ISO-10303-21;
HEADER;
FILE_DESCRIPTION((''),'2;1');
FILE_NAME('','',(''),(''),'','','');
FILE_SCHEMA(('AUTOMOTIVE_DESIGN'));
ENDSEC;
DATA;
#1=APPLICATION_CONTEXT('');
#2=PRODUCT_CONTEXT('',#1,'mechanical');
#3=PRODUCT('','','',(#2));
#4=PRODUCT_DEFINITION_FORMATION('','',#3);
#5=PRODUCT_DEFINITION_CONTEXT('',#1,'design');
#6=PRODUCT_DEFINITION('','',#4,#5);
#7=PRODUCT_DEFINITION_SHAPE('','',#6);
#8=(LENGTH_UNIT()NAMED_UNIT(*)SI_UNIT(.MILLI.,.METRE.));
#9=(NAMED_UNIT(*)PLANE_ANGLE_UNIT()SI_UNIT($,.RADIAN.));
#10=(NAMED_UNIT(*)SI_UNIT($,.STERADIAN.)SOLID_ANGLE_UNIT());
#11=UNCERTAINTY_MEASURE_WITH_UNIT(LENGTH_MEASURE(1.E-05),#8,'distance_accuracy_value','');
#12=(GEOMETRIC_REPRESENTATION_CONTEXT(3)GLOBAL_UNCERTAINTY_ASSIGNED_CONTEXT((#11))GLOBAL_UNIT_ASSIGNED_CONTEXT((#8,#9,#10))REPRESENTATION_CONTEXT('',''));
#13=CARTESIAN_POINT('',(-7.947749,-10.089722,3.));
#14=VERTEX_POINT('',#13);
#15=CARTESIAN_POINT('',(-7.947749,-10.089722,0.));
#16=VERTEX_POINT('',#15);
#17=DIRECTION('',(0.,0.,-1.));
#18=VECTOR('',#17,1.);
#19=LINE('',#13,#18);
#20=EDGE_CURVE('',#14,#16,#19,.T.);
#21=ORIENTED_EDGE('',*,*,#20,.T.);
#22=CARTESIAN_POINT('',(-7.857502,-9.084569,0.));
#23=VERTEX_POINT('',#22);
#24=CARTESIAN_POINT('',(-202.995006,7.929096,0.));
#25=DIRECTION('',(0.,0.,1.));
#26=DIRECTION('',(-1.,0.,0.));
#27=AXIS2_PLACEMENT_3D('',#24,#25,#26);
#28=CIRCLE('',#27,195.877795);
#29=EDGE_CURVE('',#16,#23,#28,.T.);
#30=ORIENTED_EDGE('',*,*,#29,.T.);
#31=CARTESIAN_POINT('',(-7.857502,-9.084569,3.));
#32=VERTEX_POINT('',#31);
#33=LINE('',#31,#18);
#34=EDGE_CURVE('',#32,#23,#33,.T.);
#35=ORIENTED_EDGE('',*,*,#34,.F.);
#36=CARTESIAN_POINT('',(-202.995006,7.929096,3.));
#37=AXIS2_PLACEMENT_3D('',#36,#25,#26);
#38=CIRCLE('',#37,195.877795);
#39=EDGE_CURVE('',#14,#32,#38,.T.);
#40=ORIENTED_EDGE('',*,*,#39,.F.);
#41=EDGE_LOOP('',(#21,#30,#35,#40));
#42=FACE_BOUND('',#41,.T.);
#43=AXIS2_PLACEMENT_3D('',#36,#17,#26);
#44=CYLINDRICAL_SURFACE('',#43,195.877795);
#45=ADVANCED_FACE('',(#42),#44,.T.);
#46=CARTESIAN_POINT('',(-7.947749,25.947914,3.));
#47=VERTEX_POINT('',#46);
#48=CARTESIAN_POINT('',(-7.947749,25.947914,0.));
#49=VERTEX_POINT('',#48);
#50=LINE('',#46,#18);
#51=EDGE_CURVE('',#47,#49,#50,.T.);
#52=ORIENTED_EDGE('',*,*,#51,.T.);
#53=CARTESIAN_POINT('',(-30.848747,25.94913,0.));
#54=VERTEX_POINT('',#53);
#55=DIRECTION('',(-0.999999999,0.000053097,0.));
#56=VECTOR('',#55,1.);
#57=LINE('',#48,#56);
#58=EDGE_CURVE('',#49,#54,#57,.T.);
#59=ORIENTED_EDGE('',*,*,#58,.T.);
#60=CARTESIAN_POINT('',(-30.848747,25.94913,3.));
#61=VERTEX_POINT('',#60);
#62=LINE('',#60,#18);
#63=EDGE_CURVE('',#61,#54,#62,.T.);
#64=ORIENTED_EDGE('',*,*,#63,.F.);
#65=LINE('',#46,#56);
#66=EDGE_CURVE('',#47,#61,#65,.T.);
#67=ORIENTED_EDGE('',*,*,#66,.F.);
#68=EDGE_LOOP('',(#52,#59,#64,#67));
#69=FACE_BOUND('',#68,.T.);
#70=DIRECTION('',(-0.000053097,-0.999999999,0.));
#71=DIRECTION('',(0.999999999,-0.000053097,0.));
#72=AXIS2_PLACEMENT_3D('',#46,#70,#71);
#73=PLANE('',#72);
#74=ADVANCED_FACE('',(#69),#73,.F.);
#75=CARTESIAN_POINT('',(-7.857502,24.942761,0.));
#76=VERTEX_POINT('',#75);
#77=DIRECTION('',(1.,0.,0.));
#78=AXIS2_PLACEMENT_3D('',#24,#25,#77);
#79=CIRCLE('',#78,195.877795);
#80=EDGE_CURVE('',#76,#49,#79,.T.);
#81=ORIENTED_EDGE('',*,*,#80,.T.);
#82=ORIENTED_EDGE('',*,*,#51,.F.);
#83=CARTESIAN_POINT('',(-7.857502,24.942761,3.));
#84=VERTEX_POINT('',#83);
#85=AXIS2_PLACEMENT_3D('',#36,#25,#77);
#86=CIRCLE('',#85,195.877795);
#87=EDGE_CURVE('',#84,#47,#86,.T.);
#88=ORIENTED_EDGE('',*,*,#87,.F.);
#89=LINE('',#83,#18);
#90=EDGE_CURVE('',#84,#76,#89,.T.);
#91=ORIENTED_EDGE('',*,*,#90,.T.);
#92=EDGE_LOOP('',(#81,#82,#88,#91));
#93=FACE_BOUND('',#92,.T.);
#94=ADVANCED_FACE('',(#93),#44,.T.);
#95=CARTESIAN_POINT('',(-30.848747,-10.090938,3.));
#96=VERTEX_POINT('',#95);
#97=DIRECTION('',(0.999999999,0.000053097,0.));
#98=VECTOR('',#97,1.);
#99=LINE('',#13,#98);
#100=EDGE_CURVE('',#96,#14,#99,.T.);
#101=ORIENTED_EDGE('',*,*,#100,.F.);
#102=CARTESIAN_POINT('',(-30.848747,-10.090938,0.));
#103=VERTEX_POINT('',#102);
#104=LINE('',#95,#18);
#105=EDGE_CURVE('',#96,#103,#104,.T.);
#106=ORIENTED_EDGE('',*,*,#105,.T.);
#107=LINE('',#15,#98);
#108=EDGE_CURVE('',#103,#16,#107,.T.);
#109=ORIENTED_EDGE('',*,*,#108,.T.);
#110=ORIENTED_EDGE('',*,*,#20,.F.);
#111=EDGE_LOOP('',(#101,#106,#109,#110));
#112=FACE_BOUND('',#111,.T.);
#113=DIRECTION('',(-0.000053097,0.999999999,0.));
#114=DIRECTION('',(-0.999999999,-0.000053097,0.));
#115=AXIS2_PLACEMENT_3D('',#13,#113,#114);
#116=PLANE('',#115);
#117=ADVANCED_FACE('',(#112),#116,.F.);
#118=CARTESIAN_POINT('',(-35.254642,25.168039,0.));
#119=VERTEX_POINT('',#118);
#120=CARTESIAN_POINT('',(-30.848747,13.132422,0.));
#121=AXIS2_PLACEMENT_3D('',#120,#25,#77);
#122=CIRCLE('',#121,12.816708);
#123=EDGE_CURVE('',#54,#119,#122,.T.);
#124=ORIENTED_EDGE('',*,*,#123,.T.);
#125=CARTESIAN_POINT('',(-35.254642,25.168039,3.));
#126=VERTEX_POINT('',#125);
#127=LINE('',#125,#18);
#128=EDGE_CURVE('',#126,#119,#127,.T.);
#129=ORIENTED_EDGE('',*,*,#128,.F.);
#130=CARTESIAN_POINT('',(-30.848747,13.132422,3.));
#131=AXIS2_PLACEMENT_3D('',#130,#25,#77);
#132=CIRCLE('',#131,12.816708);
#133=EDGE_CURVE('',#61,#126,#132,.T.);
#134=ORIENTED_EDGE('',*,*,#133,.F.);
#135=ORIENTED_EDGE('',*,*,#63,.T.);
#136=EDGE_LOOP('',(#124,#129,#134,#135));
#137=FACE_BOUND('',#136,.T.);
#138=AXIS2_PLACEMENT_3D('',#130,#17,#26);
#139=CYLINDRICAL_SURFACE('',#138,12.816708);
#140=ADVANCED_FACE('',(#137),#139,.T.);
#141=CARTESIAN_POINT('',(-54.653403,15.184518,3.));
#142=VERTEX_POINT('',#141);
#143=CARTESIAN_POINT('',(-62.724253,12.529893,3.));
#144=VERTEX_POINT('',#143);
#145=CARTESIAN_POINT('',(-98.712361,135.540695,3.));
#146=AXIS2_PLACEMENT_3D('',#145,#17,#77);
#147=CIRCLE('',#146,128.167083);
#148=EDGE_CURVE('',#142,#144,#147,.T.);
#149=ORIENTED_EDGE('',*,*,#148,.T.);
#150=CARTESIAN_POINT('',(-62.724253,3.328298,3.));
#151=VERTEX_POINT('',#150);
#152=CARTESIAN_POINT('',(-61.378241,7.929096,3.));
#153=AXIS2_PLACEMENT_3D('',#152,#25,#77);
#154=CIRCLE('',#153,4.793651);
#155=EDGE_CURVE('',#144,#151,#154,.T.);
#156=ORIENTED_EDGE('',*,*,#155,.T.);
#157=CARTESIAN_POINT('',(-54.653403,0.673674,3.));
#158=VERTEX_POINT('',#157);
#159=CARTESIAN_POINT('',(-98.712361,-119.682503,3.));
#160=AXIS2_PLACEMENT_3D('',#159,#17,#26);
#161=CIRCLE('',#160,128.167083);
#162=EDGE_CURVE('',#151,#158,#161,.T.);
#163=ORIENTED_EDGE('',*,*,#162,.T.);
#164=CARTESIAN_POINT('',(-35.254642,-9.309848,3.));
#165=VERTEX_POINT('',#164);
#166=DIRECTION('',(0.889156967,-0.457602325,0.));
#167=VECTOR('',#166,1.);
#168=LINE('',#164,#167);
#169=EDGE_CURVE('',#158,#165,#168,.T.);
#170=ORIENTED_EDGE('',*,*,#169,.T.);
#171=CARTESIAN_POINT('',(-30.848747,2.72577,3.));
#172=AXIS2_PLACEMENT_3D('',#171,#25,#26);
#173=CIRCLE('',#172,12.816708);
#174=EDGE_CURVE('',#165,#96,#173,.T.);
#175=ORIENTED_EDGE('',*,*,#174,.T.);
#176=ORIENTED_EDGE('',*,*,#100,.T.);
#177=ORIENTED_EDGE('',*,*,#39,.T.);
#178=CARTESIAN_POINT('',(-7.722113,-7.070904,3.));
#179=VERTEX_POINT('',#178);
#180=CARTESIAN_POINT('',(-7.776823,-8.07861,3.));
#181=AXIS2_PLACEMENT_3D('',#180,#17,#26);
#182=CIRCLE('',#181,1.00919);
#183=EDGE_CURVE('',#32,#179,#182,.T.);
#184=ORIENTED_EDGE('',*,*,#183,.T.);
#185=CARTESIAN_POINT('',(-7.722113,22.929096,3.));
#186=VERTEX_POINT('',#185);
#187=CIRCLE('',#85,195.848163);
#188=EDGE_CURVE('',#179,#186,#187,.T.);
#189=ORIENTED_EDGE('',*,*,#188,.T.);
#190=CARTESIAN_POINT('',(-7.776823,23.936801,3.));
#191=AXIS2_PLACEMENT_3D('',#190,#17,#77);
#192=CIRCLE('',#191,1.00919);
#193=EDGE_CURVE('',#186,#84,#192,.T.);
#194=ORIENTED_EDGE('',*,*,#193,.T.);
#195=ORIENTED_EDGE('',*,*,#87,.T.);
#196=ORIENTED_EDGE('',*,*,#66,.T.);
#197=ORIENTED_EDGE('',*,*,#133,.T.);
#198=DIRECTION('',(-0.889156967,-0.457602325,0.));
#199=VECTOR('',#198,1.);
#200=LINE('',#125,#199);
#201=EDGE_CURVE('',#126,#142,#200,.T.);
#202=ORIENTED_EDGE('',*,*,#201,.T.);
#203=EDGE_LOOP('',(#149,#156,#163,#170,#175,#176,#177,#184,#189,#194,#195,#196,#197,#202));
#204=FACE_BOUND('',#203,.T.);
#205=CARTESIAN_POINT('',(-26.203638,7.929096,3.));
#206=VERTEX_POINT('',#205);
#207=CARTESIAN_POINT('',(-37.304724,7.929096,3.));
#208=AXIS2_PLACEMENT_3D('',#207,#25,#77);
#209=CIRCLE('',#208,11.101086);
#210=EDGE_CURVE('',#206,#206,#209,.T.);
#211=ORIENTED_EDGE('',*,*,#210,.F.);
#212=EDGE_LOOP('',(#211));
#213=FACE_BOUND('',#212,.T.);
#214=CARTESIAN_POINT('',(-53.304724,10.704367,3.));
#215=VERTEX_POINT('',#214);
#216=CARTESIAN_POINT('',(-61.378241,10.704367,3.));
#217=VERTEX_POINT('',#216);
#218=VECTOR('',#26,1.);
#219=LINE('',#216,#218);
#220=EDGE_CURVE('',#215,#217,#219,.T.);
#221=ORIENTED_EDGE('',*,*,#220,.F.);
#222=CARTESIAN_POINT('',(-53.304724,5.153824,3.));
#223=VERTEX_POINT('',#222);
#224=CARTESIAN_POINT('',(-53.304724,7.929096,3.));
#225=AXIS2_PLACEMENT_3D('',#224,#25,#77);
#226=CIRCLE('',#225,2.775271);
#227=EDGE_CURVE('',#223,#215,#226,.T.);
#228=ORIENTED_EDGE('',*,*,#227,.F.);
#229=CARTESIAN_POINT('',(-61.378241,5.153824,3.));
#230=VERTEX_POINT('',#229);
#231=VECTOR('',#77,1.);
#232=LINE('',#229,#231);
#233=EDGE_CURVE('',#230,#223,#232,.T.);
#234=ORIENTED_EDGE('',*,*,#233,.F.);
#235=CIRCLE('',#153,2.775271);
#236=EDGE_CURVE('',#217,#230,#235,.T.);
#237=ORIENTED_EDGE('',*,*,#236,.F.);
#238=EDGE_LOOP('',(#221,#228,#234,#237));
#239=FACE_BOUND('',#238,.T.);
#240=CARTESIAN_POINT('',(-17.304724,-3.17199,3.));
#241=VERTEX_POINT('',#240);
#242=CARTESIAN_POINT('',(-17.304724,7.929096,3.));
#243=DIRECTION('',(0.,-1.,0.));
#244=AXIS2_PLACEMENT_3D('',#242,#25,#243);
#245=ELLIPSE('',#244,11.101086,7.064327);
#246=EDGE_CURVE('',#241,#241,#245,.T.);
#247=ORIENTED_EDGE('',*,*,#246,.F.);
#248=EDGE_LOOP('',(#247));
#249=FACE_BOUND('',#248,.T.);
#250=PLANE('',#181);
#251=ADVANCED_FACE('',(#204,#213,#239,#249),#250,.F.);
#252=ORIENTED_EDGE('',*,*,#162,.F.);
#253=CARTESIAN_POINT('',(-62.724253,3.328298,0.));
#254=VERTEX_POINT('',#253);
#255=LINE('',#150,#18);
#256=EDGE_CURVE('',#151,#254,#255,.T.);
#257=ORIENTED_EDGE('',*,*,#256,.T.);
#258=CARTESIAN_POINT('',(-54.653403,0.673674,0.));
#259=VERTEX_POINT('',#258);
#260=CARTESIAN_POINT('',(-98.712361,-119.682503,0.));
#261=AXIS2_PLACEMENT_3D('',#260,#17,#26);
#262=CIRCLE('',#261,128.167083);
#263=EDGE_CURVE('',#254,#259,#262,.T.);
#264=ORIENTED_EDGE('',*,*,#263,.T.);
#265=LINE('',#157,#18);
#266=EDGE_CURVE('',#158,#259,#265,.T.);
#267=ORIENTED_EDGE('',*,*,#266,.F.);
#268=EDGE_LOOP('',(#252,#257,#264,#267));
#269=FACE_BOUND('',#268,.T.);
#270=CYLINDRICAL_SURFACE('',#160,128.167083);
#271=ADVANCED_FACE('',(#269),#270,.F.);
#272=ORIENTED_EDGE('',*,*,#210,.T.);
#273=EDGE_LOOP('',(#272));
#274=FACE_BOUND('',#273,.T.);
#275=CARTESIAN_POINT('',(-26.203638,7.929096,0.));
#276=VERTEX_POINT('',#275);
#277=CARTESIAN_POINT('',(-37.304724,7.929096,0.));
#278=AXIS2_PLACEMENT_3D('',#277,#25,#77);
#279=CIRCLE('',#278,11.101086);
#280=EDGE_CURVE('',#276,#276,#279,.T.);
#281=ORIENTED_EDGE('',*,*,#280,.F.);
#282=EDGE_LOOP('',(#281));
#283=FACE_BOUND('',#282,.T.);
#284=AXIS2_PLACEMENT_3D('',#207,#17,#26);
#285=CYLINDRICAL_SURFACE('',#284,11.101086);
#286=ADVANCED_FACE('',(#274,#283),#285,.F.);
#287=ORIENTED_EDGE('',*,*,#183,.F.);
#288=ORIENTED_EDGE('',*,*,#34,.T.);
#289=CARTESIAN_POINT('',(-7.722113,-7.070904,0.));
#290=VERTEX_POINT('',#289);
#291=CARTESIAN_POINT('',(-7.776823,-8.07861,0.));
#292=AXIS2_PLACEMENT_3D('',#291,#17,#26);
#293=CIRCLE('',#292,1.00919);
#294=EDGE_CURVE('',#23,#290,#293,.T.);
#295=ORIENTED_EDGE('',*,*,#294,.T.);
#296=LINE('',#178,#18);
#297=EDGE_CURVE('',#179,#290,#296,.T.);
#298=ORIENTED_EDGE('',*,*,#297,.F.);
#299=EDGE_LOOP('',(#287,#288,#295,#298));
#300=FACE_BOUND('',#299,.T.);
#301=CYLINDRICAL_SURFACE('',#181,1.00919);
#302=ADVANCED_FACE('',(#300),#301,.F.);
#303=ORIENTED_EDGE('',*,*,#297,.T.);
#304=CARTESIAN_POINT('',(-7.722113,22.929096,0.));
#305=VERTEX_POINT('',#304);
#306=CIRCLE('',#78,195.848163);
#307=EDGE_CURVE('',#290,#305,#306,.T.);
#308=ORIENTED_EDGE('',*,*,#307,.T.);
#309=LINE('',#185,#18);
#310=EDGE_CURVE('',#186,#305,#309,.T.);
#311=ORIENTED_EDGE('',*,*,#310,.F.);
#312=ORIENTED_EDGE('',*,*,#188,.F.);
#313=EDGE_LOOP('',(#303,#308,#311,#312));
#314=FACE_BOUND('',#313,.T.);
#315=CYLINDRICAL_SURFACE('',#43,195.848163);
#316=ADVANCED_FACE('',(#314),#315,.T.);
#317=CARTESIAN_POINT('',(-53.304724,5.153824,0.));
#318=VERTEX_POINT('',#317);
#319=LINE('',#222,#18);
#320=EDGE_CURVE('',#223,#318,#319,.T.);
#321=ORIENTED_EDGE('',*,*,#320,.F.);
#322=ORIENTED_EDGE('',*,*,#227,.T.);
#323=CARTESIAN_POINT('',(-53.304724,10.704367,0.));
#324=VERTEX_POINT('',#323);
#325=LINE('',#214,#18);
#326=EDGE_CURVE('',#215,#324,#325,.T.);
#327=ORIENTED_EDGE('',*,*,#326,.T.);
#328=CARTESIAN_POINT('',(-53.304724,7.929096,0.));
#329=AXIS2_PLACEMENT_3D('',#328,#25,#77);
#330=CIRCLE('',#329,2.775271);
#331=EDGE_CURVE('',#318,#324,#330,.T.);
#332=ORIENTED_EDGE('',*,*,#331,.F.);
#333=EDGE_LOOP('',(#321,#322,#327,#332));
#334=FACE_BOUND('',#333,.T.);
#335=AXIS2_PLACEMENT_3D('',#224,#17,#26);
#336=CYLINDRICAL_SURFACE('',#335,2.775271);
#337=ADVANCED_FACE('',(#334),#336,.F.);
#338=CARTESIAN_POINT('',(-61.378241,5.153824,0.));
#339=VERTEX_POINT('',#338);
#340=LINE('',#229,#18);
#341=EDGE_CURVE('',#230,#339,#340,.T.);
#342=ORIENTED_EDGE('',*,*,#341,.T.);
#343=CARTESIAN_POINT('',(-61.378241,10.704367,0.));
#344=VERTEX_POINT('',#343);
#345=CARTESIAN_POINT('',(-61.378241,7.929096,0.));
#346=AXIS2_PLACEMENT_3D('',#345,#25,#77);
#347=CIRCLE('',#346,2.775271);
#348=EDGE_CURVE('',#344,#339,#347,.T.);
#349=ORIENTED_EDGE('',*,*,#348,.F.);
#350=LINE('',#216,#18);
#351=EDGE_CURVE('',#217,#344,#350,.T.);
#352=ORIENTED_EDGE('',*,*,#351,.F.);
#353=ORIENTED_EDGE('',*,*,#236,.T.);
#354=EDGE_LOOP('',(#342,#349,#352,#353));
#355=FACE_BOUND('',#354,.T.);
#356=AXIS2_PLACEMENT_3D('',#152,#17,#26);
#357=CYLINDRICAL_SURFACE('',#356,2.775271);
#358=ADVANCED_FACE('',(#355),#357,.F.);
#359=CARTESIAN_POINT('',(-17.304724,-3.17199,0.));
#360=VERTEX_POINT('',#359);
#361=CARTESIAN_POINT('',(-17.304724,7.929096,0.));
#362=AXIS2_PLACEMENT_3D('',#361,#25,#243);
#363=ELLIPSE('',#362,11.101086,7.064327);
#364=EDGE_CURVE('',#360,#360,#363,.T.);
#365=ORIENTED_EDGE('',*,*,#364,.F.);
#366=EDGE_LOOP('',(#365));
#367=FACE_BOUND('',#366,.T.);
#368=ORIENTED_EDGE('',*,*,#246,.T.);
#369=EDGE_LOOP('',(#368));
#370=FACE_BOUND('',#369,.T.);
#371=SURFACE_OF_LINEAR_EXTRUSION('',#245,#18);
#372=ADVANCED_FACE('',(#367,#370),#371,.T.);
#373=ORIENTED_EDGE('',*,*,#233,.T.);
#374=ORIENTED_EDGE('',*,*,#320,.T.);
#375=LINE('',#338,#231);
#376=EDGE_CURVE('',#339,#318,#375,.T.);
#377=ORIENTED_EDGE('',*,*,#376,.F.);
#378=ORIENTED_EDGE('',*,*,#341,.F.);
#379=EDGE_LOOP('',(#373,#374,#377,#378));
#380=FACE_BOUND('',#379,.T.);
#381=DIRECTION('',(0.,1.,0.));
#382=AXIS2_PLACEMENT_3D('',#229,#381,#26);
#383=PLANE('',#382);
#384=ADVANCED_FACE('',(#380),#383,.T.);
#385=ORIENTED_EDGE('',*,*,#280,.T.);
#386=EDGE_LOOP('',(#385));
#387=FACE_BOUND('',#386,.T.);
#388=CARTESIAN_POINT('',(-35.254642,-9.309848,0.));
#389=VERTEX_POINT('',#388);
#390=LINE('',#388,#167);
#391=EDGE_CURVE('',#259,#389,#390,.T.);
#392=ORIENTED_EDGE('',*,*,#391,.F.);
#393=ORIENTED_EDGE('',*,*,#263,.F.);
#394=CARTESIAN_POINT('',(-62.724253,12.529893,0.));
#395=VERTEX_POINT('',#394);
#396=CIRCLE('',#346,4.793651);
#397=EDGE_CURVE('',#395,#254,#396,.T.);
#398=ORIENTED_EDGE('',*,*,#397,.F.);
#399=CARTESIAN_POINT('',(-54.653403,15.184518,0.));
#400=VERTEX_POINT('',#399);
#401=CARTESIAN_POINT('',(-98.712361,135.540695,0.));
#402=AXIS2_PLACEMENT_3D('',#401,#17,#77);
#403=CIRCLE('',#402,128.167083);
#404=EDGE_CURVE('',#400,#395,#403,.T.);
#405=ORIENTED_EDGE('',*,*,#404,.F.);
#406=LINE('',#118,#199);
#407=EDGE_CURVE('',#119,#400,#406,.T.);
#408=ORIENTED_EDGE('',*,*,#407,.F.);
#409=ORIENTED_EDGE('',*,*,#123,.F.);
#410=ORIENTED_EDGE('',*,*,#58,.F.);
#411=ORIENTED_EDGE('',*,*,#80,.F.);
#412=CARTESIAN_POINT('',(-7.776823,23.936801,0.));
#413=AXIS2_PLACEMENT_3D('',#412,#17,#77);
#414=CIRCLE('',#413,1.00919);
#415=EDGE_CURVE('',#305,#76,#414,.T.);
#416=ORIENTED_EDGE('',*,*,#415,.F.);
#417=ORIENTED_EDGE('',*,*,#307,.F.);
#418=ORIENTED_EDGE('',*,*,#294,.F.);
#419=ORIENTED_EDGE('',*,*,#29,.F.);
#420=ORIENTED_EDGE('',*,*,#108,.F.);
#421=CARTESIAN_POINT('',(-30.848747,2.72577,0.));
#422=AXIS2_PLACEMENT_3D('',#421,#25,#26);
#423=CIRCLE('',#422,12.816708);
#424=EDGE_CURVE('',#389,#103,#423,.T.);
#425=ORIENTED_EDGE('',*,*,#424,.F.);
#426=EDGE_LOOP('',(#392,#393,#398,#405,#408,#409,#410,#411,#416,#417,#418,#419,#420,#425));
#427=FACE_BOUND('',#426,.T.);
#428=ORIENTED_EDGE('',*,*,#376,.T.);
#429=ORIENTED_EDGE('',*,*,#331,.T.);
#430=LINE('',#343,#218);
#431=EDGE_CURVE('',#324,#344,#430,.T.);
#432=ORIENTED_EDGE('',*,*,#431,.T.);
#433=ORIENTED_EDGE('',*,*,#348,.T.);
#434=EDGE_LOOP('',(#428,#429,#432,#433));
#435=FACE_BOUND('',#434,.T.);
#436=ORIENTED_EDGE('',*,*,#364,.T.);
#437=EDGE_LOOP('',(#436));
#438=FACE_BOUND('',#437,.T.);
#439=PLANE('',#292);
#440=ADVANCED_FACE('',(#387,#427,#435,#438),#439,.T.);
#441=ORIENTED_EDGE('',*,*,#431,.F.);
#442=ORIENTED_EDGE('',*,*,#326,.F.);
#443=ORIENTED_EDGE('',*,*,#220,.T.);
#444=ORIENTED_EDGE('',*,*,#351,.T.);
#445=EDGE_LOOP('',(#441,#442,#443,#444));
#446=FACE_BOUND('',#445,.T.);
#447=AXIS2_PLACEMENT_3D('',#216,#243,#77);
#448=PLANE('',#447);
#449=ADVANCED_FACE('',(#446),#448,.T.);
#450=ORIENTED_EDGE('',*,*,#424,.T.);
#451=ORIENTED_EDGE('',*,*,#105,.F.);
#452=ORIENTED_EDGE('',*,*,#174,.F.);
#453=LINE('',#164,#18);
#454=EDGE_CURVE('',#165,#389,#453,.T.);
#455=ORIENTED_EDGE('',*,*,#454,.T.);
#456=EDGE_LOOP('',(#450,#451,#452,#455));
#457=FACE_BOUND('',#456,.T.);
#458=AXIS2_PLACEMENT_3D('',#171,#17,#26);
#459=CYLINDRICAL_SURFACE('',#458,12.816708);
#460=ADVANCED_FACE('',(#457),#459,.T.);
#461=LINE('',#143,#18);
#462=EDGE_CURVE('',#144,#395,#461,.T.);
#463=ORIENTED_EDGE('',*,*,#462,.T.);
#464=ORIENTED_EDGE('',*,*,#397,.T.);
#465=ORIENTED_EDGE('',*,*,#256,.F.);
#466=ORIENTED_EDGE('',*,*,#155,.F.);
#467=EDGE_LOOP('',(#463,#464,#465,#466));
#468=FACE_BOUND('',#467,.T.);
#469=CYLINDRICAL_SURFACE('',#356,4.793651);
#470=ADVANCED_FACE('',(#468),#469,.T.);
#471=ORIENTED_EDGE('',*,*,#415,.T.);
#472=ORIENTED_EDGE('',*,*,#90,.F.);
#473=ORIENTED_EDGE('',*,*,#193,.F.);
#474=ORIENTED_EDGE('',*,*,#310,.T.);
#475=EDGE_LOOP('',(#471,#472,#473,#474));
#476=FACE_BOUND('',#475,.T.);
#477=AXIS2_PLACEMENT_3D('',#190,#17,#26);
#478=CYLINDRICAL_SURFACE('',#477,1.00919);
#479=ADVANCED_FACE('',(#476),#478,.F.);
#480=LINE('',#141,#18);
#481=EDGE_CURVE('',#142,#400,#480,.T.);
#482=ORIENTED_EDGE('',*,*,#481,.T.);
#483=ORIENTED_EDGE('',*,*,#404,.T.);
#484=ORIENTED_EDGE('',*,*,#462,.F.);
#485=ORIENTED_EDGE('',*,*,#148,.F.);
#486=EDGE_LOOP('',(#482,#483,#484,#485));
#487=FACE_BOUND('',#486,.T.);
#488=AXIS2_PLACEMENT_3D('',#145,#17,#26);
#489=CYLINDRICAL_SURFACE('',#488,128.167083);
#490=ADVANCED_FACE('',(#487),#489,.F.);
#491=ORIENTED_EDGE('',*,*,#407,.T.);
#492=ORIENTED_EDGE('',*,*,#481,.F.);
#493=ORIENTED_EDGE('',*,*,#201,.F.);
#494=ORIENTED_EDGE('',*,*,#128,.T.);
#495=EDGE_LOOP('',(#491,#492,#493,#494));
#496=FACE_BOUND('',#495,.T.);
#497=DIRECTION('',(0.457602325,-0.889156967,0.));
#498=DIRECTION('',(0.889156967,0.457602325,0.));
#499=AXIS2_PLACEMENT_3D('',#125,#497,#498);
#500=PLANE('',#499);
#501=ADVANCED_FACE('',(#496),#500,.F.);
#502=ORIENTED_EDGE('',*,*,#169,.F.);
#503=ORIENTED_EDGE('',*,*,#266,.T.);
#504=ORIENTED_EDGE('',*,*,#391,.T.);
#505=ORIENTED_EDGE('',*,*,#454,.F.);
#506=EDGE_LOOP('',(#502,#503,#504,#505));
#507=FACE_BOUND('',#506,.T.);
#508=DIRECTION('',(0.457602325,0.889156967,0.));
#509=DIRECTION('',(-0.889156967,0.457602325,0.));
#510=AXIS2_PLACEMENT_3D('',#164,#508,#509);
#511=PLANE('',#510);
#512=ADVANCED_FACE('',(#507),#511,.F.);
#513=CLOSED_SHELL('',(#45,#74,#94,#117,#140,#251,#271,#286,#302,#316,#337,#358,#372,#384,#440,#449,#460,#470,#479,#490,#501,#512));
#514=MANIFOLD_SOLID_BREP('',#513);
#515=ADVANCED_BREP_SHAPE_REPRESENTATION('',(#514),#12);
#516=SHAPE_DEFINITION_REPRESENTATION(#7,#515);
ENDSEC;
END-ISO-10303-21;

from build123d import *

# Parameters (mm, degrees)
SKETCH1_R           = 11.1010859
SKETCH1_RX          = 11.1010859
SKETCH1_RY          = 7.064327391
BOSS_EXTRUDE1_DEPTH = 3


with BuildPart() as part:
    # Sketch1 → Boss-Extrude1 (new body)
    with BuildSketch(Plane.XY):
        with BuildLine():
            Line((-7.947748781, 25.947914006), (-30.848746588, 25.949129975))
            ThreePointArc((-30.848746588, 25.949129975), (-33.08604518, 25.75234666), (-35.254642351, 25.168039404))
            Line((-35.254642351, 25.168039404), (-54.653402891, 15.184517643))
            ThreePointArc((-54.653402891, 15.184517643), (-58.666824966, 13.790309954), (-62.724252982, 12.529893468))
            ThreePointArc((-62.724252982, 12.529893468), (-66.171891815, 7.929095788), (-62.724252982, 3.328298109))
            ThreePointArc((-62.724252982, 3.328298109), (-58.666824966, 2.067881622), (-54.653402891, 0.673673934))
            Line((-54.653402891, 0.673673934), (-35.254642351, -9.309847827))
            ThreePointArc((-35.254642351, -9.309847827), (-33.08604518, -9.894155084), (-30.848746588, -10.090938398))
            Line((-30.848746588, -10.090938398), (-7.947748781, -10.08972243))
            ThreePointArc((-7.947748781, -10.08972243), (-7.901977934, -9.587204007), (-7.857501769, -9.084569342))
            ThreePointArc((-7.857501769, -9.084569342), (-8.447347212, -8.832838784), (-8.766415179, -8.276528123))
            ThreePointArc((-8.766415179, -8.276528123), (-8.539635898, -7.417867221), (-7.722112775, -7.070904212))
            ThreePointArc((-7.722112775, -7.070904212), (-7.146843313, 7.929095788), (-7.722112775, 22.929095788))
            ThreePointArc((-7.722112775, 22.929095788), (-8.539635898, 23.276058798), (-8.766415179, 24.134719699))
            ThreePointArc((-8.766415179, 24.134719699), (-8.447347212, 24.691030361), (-7.857501769, 24.942760918))
            ThreePointArc((-7.857501769, 24.942760918), (-7.901977934, 25.445395584), (-7.947748781, 25.947914006))
        make_face()
        with Locations((-37.304724068, 7.929095788)):
            Circle(SKETCH1_R, mode=Mode.SUBTRACT)
        with Locations(Location((-17.304724068, 7.929095788), (0, 0, -90))):
            Ellipse(SKETCH1_RX, SKETCH1_RY, mode=Mode.SUBTRACT)
        with BuildLine():
            Line((-61.378241086, 10.704367263), (-53.304724068, 10.704367263))
            ThreePointArc((-53.304724068, 10.704367263), (-50.529452593, 7.929095788), (-53.304724068, 5.153824313))
            Line((-53.304724068, 5.153824313), (-61.378241086, 5.153824313))
            ThreePointArc((-61.378241086, 5.153824313), (-64.153512561, 7.929095788), (-61.378241086, 10.704367263))
        make_face(mode=Mode.SUBTRACT)
    extrude(amount=BOSS_EXTRUDE1_DEPTH)


solid = part.part
